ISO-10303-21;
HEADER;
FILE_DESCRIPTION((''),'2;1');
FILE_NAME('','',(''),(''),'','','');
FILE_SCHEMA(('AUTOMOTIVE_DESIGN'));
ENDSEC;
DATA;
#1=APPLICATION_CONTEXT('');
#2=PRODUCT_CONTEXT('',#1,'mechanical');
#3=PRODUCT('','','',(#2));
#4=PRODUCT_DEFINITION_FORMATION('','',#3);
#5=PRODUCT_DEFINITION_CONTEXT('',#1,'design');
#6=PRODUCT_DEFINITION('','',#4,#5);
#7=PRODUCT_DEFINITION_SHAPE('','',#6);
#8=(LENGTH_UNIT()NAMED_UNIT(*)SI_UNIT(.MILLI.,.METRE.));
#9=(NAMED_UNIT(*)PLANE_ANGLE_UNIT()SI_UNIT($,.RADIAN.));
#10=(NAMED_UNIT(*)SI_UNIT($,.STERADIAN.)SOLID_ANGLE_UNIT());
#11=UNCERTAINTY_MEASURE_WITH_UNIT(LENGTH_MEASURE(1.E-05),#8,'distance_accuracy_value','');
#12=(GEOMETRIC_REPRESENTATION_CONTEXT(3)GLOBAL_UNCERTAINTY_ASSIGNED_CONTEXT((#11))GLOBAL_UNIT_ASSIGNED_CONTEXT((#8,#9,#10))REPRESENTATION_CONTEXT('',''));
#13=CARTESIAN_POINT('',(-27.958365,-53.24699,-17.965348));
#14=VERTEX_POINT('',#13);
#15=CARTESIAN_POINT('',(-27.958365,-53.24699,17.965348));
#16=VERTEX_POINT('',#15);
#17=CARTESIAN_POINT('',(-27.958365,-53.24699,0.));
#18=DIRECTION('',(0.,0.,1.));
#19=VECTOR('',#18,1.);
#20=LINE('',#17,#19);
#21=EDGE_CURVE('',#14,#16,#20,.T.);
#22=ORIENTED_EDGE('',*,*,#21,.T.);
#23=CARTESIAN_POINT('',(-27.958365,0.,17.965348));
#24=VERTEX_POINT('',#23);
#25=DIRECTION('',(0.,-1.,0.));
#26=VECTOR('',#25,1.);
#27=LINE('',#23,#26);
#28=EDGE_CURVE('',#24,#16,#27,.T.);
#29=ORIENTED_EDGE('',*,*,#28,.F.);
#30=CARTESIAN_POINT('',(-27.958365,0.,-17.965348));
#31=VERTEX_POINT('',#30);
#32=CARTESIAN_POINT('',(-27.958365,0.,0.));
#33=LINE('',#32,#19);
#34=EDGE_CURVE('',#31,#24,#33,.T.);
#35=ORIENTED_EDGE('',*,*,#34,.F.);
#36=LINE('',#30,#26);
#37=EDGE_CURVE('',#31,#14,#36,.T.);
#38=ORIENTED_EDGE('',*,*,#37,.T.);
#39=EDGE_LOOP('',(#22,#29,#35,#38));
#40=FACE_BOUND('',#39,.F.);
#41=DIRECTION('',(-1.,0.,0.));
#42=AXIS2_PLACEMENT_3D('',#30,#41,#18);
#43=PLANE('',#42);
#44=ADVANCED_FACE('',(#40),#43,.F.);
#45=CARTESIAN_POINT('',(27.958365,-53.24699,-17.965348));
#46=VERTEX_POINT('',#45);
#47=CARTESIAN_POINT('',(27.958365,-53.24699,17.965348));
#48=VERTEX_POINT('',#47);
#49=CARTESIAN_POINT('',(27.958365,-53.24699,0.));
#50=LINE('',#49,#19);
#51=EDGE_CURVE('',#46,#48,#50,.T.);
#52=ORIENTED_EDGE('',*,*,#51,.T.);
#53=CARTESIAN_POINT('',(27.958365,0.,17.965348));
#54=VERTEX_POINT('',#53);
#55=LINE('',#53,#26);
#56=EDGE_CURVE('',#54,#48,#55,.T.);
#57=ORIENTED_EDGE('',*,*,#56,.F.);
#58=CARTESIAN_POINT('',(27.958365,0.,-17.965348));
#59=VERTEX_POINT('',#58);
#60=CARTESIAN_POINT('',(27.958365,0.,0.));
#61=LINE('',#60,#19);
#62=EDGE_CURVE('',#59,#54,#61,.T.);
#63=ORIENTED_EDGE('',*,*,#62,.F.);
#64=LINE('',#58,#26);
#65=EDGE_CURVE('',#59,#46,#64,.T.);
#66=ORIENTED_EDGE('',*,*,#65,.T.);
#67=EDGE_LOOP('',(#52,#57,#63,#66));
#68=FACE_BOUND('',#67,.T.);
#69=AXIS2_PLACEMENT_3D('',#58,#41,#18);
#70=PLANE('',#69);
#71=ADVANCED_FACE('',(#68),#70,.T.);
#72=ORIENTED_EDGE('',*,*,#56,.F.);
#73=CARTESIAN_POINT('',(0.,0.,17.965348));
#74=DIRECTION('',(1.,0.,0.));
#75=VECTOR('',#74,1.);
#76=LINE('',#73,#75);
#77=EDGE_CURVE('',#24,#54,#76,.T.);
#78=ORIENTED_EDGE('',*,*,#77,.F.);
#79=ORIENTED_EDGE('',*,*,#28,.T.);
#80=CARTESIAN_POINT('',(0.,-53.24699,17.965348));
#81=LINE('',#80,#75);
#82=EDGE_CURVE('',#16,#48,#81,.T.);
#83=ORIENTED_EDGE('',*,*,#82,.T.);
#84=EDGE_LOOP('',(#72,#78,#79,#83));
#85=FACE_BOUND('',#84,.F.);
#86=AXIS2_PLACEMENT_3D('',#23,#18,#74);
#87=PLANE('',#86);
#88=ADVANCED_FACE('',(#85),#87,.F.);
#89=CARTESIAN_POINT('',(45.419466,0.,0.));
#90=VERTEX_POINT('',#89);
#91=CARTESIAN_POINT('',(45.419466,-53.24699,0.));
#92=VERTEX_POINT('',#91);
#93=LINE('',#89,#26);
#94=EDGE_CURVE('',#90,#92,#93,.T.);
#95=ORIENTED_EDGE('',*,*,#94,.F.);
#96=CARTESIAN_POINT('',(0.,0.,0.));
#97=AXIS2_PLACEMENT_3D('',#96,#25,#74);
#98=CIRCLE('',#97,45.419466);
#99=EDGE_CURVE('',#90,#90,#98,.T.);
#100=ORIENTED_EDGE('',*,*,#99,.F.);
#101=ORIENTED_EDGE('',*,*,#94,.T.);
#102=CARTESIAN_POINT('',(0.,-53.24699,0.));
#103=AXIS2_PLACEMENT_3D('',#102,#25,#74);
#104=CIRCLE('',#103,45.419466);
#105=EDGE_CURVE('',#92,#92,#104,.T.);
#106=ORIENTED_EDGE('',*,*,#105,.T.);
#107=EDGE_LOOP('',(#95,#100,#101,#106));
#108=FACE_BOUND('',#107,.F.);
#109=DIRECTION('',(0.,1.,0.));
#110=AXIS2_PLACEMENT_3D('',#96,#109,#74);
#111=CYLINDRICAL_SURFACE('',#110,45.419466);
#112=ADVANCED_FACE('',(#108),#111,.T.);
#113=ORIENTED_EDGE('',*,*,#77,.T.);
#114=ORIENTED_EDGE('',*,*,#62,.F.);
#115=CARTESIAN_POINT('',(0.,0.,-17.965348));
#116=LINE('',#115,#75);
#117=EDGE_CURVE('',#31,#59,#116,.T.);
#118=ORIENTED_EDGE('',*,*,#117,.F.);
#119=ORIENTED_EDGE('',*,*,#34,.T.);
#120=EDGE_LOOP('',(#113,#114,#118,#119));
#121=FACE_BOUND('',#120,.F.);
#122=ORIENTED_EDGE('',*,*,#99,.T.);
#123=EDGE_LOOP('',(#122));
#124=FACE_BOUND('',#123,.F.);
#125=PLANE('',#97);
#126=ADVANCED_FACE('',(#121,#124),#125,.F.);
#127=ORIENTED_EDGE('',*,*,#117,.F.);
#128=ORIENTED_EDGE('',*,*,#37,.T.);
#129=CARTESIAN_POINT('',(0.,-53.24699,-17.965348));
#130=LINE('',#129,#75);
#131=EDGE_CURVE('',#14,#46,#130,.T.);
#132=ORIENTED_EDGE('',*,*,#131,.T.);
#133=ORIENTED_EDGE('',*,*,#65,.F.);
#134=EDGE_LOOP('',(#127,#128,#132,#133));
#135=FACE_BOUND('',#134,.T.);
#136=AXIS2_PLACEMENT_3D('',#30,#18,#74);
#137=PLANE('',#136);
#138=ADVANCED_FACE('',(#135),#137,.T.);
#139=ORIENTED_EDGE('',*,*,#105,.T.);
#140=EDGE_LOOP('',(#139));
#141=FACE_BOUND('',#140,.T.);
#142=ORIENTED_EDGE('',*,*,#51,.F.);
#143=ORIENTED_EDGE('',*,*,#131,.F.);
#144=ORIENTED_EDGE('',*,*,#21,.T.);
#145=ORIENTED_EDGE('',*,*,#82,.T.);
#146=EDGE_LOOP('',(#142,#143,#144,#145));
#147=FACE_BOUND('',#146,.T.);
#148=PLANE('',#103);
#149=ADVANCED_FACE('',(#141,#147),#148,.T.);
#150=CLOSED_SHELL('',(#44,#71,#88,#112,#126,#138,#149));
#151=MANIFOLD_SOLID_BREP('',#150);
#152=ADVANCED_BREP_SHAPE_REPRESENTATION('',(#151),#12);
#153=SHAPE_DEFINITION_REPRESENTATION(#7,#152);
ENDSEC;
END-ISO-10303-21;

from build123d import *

# Parameters (mm, degrees)
F0_R     = 45.419466
F0_W     = 55.91673
F0_H     = 35.930696
F1_DEPTH = 53.24699


with BuildPart() as f1:
    # F0 (on Front) → F1 (new body)
    with BuildSketch(Plane.XZ):
        Circle(F0_R)
        Rectangle(F0_W, F0_H, mode=Mode.SUBTRACT)
    extrude(amount=F1_DEPTH)


solid = f1.part
